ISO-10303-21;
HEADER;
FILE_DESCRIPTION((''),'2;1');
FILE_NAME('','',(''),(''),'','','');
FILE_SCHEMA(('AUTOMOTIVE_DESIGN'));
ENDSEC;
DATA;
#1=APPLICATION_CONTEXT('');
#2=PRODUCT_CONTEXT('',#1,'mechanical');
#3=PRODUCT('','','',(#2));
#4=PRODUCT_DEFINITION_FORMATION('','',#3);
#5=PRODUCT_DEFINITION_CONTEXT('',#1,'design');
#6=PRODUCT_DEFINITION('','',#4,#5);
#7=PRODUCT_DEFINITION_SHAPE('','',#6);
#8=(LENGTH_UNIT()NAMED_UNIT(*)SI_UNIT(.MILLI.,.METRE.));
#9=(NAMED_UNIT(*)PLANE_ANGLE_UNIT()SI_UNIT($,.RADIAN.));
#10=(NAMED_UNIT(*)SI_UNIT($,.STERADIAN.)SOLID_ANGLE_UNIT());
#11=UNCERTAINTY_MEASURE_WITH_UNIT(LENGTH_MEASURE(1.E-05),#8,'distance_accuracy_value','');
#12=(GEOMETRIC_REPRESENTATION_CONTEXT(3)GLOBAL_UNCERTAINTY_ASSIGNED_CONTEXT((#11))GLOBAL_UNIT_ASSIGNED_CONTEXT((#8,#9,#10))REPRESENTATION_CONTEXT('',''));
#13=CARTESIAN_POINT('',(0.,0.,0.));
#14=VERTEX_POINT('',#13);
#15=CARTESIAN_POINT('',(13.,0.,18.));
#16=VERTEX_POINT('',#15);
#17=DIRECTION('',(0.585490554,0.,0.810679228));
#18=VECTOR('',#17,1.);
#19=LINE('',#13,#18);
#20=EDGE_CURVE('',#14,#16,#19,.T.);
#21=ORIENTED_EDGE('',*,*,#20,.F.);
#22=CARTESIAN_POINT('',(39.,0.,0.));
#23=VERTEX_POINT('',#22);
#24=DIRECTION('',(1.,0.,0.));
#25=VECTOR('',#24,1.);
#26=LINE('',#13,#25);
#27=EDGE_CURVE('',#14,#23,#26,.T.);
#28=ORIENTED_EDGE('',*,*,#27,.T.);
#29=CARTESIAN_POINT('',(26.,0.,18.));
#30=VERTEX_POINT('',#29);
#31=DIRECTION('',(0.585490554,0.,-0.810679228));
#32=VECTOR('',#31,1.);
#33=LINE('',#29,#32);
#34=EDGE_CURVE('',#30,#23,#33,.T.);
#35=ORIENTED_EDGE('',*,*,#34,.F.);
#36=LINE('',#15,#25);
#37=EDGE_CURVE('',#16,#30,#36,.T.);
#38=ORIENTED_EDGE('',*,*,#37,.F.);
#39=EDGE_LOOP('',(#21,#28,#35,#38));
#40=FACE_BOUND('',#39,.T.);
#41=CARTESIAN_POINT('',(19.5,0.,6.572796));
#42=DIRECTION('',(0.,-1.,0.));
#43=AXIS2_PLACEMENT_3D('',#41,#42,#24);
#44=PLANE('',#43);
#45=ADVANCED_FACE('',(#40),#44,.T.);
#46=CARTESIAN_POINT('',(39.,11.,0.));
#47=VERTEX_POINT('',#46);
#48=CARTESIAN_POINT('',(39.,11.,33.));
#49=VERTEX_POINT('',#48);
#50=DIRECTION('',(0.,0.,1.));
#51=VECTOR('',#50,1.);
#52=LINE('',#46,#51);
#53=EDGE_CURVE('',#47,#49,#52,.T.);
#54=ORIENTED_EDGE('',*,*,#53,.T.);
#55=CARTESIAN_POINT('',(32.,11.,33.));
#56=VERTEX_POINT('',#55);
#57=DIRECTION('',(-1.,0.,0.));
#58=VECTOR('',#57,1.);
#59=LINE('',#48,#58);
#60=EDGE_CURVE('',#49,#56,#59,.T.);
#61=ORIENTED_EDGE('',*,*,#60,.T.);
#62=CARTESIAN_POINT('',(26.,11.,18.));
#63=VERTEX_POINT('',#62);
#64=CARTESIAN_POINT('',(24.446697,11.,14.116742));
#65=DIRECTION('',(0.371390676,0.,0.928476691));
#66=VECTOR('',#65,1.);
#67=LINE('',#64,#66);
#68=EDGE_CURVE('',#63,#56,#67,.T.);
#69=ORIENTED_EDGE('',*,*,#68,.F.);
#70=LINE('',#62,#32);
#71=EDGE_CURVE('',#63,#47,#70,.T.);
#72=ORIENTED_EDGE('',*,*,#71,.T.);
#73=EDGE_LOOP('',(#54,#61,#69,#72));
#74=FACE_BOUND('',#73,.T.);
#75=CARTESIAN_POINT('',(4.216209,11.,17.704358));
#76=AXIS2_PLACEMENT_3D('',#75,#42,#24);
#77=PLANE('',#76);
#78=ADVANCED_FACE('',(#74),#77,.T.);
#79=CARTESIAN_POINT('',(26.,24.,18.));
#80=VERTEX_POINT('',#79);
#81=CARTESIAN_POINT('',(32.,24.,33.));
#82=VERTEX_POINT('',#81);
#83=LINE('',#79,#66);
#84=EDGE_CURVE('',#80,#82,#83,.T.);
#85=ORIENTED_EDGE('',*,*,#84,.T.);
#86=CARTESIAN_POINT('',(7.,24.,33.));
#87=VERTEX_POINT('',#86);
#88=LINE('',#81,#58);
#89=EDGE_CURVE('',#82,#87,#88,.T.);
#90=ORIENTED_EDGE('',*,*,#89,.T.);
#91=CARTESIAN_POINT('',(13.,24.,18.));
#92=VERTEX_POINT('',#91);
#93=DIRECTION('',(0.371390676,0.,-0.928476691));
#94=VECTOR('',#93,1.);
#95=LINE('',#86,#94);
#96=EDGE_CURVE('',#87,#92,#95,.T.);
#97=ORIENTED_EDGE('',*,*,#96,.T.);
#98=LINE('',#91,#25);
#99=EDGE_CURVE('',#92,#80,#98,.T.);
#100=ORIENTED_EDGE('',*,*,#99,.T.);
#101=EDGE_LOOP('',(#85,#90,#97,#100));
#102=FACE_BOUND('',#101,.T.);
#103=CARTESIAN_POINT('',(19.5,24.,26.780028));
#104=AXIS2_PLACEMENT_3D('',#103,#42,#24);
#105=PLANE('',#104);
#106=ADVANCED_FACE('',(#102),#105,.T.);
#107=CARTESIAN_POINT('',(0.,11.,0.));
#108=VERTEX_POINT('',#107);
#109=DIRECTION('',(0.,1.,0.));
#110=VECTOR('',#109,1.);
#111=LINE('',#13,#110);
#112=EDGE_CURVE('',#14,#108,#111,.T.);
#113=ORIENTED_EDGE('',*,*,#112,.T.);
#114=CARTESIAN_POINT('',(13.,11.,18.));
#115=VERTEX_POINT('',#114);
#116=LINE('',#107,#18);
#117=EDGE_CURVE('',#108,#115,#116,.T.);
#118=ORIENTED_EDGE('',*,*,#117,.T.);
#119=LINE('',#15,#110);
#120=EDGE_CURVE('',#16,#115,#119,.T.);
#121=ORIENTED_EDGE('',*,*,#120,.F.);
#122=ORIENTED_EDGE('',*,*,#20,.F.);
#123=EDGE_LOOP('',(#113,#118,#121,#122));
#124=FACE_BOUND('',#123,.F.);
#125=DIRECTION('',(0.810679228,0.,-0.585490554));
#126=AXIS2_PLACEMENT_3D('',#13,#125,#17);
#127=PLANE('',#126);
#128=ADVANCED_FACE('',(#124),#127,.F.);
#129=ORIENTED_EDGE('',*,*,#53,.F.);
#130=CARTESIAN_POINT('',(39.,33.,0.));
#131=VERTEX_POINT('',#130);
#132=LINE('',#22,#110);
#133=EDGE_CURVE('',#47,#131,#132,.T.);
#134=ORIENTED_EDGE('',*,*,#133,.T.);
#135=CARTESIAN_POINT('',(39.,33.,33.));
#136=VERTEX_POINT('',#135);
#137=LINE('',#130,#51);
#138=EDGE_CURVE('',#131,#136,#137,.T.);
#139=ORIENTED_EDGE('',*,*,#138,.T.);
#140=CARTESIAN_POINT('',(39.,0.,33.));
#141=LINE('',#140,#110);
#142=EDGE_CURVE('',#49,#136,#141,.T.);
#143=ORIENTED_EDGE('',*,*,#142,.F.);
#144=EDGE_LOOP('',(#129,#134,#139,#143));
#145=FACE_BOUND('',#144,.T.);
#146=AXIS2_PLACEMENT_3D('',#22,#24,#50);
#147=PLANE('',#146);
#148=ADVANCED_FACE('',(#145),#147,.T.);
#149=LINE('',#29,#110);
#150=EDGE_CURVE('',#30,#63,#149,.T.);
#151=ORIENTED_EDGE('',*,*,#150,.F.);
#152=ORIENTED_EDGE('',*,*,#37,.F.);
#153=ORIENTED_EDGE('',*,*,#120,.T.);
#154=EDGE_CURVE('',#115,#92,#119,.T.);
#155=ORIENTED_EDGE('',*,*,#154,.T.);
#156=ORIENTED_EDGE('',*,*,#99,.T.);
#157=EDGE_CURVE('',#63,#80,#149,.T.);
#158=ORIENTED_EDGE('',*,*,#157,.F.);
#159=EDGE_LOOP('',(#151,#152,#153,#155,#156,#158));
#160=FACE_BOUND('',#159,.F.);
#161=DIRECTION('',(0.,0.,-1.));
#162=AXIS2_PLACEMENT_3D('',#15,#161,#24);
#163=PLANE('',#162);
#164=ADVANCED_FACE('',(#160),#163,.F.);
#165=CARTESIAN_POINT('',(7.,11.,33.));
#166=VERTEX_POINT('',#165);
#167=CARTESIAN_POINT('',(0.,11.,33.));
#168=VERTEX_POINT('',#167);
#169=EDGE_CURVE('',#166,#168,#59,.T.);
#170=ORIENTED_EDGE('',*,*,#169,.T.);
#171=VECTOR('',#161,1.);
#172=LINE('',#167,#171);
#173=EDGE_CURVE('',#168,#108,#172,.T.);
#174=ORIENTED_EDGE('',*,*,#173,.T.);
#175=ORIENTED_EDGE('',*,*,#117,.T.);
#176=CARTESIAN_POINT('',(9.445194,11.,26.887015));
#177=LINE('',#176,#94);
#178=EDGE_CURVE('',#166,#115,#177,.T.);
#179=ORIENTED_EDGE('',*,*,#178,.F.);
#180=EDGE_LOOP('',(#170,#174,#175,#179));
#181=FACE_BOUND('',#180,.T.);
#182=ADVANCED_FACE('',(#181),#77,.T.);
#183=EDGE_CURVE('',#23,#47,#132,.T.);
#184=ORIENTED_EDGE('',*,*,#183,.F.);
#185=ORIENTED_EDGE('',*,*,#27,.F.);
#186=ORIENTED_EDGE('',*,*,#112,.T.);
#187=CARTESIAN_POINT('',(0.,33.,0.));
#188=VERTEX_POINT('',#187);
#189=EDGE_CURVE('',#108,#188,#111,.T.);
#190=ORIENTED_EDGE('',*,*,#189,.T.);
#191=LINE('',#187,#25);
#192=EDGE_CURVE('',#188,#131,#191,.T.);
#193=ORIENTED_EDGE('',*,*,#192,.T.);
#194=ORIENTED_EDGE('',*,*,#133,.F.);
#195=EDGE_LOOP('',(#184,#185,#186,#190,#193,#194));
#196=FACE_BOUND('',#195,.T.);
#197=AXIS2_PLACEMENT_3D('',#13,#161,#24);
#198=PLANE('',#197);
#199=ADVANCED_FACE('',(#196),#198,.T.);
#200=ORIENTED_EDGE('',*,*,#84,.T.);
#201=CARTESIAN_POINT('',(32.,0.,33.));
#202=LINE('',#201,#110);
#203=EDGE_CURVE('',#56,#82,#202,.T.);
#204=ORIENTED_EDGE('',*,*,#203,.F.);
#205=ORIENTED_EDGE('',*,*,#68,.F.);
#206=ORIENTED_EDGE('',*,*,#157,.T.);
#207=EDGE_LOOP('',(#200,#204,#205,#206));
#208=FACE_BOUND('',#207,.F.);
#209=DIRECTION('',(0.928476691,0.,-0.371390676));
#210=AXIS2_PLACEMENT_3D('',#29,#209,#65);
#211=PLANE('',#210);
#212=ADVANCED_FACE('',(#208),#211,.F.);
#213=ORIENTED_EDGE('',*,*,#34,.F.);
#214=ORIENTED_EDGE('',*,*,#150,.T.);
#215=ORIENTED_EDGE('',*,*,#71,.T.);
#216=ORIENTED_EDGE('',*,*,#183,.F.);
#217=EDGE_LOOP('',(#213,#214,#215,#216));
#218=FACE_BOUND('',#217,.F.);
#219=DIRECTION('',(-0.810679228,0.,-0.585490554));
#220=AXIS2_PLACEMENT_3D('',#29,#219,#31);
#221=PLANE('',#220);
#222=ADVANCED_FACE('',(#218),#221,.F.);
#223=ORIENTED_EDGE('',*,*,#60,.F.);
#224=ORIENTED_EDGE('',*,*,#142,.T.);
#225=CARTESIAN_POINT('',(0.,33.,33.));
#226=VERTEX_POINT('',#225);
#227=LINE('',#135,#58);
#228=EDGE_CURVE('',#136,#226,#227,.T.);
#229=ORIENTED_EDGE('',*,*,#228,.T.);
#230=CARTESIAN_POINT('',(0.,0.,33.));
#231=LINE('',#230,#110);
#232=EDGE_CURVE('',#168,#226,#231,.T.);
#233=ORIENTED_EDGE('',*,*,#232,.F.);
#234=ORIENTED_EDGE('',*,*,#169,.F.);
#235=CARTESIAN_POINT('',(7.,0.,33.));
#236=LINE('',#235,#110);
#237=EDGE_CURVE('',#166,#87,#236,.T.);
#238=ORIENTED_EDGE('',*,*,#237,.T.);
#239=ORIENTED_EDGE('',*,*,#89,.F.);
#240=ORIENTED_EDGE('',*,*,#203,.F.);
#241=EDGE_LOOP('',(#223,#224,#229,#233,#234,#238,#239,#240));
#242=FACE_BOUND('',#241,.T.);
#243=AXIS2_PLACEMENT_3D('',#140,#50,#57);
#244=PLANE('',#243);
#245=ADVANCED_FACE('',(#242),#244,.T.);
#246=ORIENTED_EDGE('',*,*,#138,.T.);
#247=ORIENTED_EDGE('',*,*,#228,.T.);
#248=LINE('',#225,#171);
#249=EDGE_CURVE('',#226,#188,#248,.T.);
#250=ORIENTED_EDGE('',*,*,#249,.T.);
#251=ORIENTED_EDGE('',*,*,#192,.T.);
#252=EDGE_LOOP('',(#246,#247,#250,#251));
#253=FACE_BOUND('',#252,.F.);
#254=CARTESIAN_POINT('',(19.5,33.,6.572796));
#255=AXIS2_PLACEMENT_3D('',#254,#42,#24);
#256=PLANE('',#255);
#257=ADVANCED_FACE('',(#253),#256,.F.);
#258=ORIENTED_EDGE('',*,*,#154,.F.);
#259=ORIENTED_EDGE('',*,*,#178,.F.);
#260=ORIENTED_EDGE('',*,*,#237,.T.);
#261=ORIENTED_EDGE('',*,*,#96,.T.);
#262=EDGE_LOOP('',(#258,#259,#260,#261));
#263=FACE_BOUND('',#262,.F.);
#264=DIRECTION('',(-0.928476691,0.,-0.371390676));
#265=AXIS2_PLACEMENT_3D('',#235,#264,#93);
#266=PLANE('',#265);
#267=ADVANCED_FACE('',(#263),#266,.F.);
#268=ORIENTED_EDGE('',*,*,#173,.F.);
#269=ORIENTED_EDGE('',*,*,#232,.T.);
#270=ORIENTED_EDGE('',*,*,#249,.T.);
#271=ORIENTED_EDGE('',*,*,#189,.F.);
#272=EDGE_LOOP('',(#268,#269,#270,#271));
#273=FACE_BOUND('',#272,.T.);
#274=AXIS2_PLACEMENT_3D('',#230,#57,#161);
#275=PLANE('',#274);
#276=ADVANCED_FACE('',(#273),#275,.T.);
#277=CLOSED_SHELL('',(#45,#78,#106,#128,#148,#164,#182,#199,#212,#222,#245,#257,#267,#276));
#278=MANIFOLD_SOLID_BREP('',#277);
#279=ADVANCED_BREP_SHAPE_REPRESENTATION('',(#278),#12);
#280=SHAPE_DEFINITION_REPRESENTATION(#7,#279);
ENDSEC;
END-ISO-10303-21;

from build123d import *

# Parameters (mm, degrees)
F1_DEPTH = 33
F2_DEPTH = 11
F3_DEPTH = 24


with BuildPart() as f1:
    # F0 (on Front) → F1 (new body)
    with BuildSketch(Plane.XZ):
        Polygon((13, 18), (0, 0), (39, 0), (26, 18), align=None)
        Polygon((0, 33), (0, 0), (13, 18), (7, 33), align=None)
        Polygon((26, 18), (39, 0), (39, 33), (32, 33), align=None)
        Polygon((7, 33), (13, 18), (26, 18), (32, 33), align=None)
    extrude(amount=-F1_DEPTH)

    # F0 (on Front) → F2 (cut)
    with BuildSketch(Plane.XZ):
        Polygon((0, 33), (0, 0), (13, 18), (7, 33), align=None)
        Polygon((7, 33), (13, 18), (26, 18), (32, 33), align=None)
        Polygon((26, 18), (39, 0), (39, 33), (32, 33), align=None)
    extrude(amount=-F2_DEPTH, mode=Mode.SUBTRACT)

    # F0 (on Front) → F3 (cut)
    with BuildSketch(Plane.XZ):
        Polygon((7, 33), (13, 18), (26, 18), (32, 33), align=None)
    extrude(amount=-F3_DEPTH, mode=Mode.SUBTRACT)


solid = f1.part
